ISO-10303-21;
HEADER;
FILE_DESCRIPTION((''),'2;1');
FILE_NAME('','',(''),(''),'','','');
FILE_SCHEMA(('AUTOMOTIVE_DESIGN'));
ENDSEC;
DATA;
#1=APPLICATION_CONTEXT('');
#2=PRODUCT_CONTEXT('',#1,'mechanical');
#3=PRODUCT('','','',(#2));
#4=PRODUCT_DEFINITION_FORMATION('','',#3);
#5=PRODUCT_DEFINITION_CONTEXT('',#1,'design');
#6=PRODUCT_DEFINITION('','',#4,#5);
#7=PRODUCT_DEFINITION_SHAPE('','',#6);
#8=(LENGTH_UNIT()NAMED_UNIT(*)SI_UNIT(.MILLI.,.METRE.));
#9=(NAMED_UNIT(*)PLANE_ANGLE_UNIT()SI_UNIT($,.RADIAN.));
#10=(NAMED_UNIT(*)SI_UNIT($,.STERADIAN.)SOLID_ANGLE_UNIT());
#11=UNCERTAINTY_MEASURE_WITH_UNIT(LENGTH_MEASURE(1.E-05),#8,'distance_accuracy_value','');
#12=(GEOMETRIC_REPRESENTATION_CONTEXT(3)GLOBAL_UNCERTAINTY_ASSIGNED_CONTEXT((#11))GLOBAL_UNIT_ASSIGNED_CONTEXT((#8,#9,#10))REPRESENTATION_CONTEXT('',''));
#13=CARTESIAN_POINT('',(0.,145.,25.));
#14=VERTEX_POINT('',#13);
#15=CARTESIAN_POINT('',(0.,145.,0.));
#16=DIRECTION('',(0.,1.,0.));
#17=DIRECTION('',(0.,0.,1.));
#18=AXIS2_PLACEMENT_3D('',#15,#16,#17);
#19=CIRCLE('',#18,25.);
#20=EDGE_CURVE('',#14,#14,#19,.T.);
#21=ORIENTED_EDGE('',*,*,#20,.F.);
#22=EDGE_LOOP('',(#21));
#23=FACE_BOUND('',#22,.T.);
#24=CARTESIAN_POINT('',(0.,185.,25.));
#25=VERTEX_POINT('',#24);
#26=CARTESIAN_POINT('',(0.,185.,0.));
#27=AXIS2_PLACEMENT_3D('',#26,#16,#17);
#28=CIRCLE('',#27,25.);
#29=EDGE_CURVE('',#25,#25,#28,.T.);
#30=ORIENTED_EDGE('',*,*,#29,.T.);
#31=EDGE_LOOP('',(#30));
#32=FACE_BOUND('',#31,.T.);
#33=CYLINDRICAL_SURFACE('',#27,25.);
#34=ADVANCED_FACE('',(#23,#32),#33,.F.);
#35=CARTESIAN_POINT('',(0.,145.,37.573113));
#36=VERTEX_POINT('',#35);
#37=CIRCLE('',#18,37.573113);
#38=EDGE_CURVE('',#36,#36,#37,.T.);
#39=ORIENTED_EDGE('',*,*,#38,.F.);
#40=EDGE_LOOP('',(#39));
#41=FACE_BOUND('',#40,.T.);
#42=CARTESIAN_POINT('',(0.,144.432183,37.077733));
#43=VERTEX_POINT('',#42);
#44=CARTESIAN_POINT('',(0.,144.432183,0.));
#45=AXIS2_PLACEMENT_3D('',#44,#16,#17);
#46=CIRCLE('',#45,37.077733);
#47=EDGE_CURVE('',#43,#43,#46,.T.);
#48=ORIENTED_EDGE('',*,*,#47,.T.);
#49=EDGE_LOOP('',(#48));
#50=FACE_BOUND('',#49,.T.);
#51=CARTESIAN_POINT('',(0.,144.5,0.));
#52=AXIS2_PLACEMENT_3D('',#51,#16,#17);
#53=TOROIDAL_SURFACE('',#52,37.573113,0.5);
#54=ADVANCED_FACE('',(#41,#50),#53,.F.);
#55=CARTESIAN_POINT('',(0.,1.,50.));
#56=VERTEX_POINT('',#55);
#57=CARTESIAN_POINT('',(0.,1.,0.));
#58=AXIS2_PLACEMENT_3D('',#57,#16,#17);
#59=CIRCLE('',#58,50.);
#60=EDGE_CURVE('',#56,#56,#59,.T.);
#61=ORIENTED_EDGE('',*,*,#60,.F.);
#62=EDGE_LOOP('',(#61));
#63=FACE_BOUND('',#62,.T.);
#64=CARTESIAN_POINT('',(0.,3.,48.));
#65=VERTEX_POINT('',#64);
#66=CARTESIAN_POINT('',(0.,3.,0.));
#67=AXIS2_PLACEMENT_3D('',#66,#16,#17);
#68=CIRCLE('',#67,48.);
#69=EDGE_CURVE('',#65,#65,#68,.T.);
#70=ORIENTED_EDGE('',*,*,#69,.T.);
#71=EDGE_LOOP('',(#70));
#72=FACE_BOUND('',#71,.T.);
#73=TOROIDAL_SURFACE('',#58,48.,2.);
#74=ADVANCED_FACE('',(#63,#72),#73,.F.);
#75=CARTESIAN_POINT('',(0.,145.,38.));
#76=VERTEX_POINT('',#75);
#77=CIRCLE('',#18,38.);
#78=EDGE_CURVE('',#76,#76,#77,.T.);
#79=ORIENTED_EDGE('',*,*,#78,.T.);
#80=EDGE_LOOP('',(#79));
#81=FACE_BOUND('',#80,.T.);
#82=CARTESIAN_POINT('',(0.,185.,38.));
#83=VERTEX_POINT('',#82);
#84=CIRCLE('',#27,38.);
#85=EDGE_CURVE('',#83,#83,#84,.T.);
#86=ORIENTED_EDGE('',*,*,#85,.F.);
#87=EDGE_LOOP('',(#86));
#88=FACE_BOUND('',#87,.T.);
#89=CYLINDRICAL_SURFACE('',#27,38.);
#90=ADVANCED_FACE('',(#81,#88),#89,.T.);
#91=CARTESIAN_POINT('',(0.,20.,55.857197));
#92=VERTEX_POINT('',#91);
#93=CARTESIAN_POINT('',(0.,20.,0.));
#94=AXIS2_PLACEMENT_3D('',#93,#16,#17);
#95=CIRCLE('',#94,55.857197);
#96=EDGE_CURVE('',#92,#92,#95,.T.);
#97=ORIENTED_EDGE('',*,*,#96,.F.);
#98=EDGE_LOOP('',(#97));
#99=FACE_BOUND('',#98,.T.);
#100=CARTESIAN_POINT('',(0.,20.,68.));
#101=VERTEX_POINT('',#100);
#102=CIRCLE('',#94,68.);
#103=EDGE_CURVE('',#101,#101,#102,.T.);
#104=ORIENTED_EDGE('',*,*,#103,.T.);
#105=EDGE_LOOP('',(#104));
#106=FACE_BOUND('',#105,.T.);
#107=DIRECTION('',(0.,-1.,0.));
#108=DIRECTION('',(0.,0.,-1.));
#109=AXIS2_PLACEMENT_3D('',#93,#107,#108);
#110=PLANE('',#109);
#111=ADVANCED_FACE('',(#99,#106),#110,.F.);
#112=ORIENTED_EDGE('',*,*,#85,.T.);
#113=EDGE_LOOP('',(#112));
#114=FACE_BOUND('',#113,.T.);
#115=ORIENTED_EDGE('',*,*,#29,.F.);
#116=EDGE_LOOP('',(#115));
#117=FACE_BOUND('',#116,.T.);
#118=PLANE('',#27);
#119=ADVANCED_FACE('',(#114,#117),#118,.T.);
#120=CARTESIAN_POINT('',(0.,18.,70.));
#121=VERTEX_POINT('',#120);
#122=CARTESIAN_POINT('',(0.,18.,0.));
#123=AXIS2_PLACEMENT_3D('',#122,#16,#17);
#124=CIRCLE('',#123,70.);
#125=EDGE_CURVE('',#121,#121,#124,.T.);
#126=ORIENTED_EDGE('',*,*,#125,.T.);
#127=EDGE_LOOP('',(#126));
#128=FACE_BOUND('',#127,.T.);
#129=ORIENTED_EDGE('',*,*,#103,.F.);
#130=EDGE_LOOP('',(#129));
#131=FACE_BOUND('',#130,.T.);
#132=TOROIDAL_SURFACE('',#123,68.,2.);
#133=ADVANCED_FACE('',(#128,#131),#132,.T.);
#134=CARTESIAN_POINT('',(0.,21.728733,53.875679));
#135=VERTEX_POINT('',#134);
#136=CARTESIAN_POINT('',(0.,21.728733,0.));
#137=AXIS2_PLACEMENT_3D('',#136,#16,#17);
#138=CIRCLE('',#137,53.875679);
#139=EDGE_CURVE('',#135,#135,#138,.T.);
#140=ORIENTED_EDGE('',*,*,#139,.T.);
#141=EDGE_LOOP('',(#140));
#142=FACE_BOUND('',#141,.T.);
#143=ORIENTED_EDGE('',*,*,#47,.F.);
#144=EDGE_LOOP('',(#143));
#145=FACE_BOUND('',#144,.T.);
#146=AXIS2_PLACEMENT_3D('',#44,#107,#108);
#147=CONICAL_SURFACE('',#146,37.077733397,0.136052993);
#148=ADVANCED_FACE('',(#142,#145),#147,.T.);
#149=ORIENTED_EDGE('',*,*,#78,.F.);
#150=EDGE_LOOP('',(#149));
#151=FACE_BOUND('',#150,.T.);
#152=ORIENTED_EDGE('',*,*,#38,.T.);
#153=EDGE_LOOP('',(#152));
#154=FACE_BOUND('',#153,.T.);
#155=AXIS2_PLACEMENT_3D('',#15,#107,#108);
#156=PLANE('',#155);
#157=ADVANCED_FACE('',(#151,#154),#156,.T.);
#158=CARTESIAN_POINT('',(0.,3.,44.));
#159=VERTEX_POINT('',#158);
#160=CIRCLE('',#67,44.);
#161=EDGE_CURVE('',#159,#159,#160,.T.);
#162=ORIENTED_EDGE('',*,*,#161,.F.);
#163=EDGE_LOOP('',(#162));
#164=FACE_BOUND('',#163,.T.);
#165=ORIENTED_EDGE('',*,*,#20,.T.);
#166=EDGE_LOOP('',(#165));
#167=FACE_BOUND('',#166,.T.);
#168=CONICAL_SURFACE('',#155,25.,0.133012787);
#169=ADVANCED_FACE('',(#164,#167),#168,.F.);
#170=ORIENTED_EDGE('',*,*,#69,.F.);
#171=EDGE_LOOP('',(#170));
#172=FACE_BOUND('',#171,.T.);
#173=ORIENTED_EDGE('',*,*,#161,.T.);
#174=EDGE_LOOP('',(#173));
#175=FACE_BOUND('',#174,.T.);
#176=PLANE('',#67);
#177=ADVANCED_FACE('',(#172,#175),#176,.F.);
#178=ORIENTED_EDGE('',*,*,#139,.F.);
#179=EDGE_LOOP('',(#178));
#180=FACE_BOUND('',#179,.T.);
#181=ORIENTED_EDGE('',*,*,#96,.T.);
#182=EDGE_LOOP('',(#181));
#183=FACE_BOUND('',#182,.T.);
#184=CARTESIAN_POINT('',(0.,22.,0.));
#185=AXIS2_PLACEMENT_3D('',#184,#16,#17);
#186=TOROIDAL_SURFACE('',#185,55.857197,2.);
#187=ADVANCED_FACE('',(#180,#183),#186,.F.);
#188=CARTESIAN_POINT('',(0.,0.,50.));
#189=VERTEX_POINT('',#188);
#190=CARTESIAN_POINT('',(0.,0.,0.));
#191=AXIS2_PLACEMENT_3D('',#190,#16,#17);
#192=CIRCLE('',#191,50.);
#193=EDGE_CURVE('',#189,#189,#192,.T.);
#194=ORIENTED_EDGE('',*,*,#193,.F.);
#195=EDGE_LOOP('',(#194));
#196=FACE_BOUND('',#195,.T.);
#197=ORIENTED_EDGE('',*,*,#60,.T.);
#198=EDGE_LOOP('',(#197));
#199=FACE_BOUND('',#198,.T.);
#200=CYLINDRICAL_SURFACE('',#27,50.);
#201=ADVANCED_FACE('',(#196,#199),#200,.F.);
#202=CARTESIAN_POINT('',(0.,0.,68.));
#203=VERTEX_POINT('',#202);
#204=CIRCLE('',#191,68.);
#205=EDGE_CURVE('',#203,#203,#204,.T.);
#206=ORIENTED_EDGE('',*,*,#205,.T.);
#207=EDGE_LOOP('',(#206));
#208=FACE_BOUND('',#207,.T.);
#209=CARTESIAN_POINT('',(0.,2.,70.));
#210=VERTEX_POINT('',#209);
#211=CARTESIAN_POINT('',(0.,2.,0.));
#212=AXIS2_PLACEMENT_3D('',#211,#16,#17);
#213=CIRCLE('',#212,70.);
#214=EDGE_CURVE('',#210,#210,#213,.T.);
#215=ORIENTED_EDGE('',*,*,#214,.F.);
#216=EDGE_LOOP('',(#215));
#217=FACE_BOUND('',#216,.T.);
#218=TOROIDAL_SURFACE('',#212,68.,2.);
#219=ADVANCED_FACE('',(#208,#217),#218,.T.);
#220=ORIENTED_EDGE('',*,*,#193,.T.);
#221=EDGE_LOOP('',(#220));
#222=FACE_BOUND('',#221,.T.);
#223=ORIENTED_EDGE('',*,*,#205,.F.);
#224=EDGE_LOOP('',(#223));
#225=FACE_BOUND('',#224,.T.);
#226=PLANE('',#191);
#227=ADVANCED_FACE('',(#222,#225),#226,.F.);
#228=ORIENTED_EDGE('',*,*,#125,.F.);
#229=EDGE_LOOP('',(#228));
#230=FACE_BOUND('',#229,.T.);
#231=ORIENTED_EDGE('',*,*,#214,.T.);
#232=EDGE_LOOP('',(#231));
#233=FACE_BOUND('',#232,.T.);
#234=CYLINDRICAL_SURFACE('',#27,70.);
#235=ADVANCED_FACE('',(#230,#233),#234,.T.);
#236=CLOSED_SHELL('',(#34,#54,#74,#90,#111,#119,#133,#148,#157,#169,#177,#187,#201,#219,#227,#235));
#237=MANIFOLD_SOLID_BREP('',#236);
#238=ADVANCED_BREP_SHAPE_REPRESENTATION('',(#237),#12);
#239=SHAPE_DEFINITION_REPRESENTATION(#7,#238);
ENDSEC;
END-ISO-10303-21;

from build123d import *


with BuildPart() as part:
    # Sketch1 → Revolve1 (revolve)
    with BuildSketch(Plane.XY, mode=Mode.PRIVATE) as revolve1_sk:
        with BuildLine():
            Line((50, 1), (50, 0))
            Line((50, 0), (68, 0))
            ThreePointArc((68, 0), (69.414213562, 0.585786438), (70, 2))
            Line((70, 2), (70, 18))
            ThreePointArc((70, 18), (69.414213562, 19.414213562), (68, 20))
            Line((68, 20), (55.857196988, 20))
            ThreePointArc((55.857196988, 20), (54.542384187, 20.492927574), (53.87567887, 21.728732703))
            Line((53.87567887, 21.728732703), (46.5, 75.605633803))
            Line((46.5, 75.605633803), (37.077733397, 144.432183176))
            ThreePointArc((37.077733397, 144.432183176), (37.19634482, 144.8287032), (37.573112927, 145))
            Line((37.573112927, 145), (38, 145))
            Line((38, 145), (38, 185))
            Line((38, 185), (25, 185))
            Line((25, 185), (25, 145))
            Line((25, 145), (44, 3))
            Line((44, 3), (48, 3))
            ThreePointArc((48, 3), (49.414213562, 2.414213562), (50, 1))
        make_face()
    revolve(revolve1_sk.sketch.rotate(Axis((0, 185, 0), (0, -1, 0)), 90), axis=Axis((0, 185, 0), (0, -1, 0)))


solid = part.part
